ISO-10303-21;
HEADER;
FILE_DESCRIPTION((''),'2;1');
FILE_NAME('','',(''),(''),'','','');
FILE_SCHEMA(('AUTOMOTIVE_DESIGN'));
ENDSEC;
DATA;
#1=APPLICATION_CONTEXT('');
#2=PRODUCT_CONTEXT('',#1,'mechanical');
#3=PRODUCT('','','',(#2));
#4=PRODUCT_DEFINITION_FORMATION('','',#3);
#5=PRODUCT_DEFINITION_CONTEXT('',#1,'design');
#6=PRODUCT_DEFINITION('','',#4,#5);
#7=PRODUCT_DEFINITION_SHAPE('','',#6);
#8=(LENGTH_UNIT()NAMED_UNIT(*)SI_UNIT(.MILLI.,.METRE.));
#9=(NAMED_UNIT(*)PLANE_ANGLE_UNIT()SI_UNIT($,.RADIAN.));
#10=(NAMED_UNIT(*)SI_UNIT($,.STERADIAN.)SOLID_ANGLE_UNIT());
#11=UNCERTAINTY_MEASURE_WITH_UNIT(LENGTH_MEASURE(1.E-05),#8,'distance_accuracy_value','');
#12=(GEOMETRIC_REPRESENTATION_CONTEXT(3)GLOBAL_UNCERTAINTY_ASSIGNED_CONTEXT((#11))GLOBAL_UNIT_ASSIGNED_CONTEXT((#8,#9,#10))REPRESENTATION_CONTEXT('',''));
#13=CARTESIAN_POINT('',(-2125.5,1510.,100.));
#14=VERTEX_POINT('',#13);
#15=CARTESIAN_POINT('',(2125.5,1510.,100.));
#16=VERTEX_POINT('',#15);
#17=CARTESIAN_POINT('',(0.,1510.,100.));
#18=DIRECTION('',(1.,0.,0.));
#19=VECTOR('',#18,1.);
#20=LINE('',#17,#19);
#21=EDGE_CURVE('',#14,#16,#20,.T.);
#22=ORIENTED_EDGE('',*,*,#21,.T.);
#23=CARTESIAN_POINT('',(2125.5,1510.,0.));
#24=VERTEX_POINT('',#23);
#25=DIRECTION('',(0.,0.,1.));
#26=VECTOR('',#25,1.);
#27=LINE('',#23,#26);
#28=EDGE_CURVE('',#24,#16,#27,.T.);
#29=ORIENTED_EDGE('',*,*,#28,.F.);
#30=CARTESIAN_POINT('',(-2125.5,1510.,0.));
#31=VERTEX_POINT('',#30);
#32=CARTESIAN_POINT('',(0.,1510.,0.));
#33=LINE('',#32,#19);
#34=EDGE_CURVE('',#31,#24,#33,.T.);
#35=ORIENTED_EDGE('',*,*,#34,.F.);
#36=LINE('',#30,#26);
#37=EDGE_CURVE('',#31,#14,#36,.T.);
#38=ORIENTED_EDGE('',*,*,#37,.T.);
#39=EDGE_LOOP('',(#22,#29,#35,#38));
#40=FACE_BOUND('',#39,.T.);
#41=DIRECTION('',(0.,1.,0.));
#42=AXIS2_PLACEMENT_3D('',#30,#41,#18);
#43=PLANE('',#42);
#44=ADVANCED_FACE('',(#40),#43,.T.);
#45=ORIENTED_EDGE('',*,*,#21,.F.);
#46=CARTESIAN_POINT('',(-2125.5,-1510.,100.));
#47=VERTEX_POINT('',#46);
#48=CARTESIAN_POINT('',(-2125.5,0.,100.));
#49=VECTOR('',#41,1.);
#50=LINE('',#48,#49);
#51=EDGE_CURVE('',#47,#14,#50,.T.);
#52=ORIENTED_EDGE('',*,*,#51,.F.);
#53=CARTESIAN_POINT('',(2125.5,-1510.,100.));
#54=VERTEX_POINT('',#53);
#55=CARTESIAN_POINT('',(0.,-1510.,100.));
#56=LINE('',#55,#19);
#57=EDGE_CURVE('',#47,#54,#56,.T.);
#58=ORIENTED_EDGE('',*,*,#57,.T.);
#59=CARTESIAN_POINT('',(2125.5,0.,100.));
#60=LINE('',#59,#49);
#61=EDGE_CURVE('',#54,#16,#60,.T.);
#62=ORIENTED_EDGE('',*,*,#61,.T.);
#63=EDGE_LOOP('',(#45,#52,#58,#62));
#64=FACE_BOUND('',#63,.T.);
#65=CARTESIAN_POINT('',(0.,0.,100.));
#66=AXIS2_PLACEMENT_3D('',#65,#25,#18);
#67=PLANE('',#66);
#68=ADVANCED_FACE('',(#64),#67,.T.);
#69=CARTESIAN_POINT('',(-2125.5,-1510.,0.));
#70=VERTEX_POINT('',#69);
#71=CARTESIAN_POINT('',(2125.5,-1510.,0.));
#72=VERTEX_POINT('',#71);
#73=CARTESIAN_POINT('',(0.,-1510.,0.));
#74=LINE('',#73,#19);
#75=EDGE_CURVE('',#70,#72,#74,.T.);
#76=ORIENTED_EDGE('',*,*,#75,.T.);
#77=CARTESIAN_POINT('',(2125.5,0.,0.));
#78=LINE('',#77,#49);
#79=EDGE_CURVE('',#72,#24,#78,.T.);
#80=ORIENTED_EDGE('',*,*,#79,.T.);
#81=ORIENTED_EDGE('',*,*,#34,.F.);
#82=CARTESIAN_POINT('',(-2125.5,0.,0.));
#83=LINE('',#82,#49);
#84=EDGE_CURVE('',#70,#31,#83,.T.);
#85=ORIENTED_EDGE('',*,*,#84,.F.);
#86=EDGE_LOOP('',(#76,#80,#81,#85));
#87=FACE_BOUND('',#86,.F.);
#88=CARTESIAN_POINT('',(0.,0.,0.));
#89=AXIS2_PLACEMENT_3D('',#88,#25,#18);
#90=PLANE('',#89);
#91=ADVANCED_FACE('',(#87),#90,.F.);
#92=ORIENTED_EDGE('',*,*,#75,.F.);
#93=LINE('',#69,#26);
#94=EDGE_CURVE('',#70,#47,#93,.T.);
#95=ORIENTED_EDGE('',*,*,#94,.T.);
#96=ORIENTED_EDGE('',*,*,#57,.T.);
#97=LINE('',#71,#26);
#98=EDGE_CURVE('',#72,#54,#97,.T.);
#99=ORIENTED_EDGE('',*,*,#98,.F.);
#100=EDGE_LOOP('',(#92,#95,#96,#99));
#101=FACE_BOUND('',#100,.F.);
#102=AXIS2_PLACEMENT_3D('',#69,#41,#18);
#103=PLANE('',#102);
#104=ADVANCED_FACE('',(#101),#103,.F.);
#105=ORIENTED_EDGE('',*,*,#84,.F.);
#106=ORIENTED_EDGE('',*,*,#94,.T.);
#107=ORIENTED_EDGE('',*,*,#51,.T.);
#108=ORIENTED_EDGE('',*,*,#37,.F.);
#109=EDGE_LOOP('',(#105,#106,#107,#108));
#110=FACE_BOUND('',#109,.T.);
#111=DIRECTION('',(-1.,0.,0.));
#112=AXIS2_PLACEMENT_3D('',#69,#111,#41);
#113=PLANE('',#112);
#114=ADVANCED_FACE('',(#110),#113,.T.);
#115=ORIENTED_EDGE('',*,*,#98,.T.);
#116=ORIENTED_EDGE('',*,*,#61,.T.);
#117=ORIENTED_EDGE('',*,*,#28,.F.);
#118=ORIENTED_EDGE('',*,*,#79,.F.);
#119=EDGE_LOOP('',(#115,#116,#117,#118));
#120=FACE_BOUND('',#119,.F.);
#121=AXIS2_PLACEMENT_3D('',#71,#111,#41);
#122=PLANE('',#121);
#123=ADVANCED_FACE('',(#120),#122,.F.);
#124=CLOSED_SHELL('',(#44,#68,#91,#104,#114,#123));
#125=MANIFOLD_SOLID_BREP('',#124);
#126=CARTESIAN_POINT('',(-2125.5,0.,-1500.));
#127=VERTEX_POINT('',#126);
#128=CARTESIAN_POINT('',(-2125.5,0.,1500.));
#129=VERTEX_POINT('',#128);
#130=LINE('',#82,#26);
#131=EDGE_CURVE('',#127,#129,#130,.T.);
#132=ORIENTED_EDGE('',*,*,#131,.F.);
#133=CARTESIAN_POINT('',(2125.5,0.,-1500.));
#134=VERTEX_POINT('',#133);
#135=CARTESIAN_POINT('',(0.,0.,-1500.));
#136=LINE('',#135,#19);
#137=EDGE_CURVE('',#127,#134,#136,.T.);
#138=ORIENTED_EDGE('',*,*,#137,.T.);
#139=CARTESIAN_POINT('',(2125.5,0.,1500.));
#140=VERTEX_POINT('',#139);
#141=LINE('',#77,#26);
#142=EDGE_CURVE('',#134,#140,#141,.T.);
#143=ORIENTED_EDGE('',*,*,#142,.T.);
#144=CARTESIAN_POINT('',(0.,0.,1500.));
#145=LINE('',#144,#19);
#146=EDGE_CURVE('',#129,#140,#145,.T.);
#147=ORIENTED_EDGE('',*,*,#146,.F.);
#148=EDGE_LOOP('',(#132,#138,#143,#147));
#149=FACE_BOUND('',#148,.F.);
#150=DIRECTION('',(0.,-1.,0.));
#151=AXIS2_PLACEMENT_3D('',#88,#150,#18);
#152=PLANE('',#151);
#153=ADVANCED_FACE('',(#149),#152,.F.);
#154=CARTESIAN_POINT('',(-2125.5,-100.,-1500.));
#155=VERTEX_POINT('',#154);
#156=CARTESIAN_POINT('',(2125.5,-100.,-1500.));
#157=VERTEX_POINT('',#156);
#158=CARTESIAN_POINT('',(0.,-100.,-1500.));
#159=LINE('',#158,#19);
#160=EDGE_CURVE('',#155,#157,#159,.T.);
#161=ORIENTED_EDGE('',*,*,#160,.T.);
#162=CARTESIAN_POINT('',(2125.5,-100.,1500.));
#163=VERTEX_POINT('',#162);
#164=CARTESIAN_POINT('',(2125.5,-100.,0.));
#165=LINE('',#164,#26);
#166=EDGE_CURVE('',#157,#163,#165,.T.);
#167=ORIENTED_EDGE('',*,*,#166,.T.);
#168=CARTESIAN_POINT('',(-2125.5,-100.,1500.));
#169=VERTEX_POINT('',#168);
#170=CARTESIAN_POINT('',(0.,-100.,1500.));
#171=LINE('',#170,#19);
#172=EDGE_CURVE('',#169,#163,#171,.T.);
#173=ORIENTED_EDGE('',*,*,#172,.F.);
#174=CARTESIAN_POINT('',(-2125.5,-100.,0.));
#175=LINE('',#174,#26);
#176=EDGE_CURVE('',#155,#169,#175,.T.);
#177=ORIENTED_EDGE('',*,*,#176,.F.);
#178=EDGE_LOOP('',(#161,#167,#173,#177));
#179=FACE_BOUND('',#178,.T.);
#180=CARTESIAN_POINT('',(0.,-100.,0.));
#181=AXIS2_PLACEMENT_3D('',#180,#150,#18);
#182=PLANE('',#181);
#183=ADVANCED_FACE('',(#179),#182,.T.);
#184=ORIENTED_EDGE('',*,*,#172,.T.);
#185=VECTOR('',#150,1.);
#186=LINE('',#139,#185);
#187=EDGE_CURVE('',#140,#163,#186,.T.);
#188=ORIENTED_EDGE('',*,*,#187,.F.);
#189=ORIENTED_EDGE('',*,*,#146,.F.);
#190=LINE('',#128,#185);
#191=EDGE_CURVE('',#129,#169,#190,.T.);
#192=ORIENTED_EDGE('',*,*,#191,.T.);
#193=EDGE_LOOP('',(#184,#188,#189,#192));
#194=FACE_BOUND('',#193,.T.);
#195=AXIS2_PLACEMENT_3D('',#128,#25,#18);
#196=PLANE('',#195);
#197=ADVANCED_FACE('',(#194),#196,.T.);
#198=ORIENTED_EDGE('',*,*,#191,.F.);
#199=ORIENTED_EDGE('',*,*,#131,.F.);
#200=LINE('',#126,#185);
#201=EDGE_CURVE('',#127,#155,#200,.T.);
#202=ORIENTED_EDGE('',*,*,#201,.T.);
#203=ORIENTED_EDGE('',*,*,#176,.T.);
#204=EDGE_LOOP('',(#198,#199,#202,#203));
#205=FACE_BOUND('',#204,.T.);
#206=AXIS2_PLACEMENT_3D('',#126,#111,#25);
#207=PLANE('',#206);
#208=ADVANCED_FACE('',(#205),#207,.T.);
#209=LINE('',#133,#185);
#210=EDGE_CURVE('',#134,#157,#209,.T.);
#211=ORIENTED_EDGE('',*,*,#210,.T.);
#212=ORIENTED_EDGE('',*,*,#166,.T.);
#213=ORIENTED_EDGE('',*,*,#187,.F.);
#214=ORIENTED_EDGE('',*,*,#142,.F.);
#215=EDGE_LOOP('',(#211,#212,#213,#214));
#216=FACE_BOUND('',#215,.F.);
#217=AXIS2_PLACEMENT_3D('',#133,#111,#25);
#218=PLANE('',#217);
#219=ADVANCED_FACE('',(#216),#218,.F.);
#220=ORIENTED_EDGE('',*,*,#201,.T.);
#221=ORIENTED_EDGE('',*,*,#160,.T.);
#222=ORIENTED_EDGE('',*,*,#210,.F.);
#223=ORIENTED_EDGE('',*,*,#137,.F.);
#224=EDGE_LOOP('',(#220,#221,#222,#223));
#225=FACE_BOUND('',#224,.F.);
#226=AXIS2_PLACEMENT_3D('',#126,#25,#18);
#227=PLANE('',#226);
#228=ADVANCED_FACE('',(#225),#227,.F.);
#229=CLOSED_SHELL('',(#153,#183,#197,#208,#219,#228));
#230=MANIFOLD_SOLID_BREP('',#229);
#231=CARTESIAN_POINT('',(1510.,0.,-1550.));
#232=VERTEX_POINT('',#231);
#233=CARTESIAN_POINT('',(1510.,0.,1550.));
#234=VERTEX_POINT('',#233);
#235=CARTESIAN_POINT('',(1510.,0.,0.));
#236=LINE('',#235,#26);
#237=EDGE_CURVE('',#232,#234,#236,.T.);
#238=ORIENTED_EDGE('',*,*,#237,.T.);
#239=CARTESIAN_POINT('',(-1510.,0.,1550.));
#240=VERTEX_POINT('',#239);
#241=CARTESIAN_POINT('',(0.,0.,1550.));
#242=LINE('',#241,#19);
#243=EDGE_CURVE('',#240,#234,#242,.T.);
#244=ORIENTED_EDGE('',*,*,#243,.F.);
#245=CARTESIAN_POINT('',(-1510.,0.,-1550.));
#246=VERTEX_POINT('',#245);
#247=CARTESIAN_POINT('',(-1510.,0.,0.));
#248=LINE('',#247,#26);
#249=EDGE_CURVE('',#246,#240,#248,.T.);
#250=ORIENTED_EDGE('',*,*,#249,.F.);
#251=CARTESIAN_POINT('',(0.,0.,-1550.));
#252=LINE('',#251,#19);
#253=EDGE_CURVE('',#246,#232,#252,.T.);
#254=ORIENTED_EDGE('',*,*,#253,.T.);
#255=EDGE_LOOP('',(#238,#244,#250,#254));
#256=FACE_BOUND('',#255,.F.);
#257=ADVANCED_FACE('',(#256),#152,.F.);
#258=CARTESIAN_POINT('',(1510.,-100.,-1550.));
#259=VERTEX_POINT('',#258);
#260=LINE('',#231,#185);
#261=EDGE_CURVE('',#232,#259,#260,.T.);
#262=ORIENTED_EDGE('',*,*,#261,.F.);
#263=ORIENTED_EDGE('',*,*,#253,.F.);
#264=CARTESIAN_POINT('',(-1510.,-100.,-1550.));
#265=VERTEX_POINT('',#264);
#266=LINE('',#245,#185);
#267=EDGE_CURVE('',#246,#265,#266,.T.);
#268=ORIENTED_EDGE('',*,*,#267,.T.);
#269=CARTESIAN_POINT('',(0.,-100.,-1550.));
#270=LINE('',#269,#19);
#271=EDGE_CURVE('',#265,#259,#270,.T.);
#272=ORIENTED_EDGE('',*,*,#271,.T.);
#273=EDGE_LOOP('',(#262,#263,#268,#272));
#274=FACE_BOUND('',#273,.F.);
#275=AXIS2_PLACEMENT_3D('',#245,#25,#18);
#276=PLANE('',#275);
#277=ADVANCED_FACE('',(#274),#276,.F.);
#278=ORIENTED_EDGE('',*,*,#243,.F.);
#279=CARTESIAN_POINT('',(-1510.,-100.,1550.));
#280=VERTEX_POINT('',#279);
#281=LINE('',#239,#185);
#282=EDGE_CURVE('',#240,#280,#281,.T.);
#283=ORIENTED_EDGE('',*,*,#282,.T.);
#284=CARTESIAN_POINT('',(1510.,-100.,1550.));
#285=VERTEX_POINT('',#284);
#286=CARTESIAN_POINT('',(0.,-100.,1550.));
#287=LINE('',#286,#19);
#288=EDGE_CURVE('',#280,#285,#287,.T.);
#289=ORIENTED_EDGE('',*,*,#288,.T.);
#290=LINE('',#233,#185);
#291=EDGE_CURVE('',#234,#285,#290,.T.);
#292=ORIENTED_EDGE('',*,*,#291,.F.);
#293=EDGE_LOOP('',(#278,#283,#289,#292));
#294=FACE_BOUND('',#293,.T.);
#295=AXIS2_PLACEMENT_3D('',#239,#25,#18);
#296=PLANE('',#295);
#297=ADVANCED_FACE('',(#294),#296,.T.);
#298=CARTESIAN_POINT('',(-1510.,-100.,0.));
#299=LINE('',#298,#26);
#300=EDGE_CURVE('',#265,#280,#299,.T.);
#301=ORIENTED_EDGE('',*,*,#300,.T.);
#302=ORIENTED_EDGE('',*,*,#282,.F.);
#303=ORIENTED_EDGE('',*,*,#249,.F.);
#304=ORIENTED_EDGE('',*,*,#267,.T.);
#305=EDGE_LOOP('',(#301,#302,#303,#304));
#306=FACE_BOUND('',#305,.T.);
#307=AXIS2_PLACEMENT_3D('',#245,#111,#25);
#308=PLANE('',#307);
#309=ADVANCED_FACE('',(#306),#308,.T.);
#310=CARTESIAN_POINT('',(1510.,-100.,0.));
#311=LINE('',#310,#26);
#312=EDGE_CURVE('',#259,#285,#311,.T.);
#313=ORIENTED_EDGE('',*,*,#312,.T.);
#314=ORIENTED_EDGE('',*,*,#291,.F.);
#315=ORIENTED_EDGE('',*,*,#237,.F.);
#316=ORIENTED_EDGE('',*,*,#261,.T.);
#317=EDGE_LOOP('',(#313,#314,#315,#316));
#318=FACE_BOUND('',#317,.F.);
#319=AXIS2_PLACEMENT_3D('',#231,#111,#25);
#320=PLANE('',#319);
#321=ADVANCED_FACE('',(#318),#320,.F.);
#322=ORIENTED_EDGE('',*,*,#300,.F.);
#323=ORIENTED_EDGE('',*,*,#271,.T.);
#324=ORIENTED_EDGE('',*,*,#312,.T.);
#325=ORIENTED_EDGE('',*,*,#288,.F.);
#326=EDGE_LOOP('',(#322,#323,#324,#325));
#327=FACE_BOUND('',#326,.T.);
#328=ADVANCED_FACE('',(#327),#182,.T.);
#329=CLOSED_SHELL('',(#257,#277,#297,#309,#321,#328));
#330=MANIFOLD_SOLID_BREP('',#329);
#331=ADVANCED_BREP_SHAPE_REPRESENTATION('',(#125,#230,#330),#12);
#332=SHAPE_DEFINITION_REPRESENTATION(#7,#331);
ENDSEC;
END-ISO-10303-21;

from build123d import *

# Parameters (mm, degrees)
F0_W     = 4251
F0_H     = 3000
F1_DEPTH = 100
F2_W     = 4251
F2_H     = 3020
F3_DEPTH = 100
F4_W     = 3020
F4_H     = 3100
F5_DEPTH = 100


with BuildPart() as f1:
    # F0 (on Front) → F1 (new body)
    with BuildSketch(Plane.XZ):
        Rectangle(F0_W, F0_H)
    extrude(amount=F1_DEPTH)


with BuildPart() as f3:
    # F2 (on Top) → F3 (new body)
    with BuildSketch(Plane.XY):
        Rectangle(F2_W, F2_H)
    extrude(amount=F3_DEPTH)


with BuildPart() as f5:
    # F4 (on Front) → F5 (new body)
    with BuildSketch(Plane.XZ):
        Rectangle(F4_W, F4_H)
    extrude(amount=F5_DEPTH)


solid = Compound([f1.part, f3.part, f5.part])
